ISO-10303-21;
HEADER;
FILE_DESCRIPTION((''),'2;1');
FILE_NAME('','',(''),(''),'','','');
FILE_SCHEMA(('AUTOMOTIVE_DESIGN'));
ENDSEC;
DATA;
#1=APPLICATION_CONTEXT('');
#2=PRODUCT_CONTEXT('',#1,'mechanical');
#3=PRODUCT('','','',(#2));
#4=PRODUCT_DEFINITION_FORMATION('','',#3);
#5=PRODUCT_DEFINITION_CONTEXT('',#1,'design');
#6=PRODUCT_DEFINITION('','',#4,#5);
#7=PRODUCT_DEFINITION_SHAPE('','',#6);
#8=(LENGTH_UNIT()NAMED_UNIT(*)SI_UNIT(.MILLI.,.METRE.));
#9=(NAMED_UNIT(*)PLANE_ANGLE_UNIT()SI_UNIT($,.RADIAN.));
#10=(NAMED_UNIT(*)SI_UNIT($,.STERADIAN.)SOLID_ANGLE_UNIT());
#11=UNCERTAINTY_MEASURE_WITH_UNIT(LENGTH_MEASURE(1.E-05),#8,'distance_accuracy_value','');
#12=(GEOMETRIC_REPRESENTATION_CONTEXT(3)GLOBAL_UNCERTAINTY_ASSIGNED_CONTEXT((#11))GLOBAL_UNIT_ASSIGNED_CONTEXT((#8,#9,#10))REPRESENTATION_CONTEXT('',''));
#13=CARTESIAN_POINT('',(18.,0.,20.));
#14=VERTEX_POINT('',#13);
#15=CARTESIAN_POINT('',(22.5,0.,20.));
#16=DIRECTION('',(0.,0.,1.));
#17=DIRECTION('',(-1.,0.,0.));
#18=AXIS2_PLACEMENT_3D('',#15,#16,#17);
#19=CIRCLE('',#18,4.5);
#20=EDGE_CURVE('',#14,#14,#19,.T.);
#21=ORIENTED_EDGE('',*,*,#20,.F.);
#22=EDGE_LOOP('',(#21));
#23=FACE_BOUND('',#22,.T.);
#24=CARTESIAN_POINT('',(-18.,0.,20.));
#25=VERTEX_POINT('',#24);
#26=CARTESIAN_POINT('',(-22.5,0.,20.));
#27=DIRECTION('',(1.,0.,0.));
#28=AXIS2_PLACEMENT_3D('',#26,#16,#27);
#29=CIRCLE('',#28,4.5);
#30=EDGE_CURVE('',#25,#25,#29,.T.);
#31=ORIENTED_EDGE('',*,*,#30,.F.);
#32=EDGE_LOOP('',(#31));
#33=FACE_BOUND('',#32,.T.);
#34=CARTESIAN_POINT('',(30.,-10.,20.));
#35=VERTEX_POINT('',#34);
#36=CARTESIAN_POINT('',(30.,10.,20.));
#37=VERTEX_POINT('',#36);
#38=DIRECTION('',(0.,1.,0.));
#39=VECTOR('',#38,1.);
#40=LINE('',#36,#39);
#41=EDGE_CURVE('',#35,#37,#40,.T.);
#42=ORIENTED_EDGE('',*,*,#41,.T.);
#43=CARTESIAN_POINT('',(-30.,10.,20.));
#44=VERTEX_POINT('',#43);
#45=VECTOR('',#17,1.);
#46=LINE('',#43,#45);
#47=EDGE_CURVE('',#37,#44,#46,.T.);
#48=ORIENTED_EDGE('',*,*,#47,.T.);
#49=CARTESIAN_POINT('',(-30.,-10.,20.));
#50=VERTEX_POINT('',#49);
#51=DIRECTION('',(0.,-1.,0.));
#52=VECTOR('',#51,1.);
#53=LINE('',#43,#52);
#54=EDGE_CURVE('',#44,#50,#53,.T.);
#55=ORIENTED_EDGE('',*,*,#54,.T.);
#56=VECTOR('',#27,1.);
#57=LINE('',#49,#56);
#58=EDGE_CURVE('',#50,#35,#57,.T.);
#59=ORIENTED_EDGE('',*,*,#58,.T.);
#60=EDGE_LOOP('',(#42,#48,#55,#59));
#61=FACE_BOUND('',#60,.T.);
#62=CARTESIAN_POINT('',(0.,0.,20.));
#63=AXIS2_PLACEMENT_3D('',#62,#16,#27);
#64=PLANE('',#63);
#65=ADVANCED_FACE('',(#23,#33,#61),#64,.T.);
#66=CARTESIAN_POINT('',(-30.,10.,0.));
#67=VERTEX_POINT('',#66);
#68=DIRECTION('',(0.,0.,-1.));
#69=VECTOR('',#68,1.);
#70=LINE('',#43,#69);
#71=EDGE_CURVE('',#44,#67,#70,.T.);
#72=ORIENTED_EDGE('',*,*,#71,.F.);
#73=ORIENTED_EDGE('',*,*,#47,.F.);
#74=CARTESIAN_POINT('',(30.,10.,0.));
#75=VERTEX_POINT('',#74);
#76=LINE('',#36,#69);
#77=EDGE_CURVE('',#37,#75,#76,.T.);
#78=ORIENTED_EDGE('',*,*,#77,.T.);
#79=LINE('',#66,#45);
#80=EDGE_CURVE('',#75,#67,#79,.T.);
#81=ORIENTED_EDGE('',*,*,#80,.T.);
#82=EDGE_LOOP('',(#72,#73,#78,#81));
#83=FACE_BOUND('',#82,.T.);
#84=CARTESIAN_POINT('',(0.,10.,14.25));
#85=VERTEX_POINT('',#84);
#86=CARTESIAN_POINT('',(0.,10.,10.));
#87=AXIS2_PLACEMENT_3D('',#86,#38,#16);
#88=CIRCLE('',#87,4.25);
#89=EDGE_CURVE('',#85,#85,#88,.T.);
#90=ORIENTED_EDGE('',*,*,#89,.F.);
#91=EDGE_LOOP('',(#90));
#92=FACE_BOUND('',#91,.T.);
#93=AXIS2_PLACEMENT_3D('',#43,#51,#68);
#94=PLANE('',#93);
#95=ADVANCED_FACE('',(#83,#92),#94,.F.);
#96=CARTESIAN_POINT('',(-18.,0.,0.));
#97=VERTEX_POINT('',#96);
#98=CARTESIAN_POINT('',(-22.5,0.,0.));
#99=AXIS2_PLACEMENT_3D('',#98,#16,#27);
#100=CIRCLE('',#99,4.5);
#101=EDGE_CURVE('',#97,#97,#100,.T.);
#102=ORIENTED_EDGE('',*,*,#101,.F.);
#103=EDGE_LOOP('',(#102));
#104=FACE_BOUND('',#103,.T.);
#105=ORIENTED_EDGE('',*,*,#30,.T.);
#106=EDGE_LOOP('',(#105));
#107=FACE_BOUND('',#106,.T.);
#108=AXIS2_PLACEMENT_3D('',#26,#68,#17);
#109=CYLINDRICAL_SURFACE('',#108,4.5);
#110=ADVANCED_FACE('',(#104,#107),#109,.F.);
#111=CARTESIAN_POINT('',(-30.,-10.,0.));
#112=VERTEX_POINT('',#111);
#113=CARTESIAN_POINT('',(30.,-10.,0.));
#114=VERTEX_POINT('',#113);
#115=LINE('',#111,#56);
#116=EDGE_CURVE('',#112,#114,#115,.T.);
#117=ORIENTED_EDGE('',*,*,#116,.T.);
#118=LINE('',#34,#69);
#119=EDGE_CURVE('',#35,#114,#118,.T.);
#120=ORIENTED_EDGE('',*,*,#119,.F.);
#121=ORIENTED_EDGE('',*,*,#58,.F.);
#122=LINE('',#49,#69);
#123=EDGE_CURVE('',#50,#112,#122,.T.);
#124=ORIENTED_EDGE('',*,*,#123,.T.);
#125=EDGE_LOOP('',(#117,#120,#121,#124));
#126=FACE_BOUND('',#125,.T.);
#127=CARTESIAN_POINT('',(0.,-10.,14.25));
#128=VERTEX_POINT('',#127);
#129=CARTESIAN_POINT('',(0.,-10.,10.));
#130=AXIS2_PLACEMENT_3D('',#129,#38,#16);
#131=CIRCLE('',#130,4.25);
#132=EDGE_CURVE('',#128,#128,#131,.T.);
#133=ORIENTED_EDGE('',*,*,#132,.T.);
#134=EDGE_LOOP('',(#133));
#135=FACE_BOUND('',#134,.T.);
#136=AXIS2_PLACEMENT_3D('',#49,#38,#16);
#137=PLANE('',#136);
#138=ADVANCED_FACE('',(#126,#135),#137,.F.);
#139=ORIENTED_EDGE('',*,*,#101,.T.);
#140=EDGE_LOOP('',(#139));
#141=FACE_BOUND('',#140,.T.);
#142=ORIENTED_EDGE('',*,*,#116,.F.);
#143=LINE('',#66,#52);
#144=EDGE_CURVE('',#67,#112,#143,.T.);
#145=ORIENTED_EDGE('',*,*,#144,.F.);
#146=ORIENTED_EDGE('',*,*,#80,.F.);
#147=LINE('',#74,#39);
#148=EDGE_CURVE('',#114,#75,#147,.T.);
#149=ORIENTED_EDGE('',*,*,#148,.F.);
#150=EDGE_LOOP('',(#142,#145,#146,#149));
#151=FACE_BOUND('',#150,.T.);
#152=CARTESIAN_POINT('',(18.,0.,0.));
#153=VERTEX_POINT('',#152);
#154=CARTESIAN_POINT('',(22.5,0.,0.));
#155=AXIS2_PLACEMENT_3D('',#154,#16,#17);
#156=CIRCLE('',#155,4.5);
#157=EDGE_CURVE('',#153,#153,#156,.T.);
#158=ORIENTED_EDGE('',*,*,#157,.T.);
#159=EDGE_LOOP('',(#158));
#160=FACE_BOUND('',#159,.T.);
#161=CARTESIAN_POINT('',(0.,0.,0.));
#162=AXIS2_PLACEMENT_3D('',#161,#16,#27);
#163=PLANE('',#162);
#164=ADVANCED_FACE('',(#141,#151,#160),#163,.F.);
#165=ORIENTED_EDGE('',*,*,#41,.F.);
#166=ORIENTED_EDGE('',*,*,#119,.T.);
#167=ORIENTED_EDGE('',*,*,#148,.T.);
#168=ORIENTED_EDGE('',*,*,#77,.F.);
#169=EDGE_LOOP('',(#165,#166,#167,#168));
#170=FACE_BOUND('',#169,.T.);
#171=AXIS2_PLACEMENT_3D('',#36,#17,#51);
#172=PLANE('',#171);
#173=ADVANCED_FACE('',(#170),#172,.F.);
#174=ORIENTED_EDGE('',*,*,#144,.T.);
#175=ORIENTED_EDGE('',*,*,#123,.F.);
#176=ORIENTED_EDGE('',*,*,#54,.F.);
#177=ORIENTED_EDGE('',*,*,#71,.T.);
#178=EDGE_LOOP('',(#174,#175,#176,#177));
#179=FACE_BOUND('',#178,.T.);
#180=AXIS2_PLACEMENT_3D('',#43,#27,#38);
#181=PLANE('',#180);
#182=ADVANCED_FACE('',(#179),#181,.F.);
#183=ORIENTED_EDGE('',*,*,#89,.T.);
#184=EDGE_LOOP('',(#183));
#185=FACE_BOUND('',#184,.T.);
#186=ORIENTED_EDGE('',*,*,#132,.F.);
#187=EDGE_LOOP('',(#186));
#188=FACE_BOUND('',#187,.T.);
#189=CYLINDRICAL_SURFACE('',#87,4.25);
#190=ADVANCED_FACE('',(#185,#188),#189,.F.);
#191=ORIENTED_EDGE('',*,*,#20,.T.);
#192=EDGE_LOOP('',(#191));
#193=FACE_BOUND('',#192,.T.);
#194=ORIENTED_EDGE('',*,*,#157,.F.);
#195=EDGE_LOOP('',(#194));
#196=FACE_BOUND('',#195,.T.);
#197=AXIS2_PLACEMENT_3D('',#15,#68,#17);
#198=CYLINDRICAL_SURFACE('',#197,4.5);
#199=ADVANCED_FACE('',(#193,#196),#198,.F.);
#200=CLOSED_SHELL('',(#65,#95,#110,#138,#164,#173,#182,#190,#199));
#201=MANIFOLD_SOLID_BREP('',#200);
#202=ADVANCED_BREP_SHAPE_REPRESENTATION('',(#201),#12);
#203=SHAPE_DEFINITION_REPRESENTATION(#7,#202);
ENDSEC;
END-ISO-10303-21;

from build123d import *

# Parameters (mm, degrees)
SKETCH_1_W              = 60
SKETCH_1_H              = 20
SKETCH_1_R              = 4.5
EXTRUDE_1_DEPTH         = 20
HOLE_WIZARD_M10_1_D     = 8.5
HOLE_WIZARD_M10_1_DEPTH = 24.5
HOLE_WIZARD_M10_1_TIP   = 2.553657631


with BuildPart() as part:
    # 草图1 → 凸台-拉伸1 (new body)
    with BuildSketch(Plane.XY):
        Rectangle(SKETCH_1_W, SKETCH_1_H)
        with Locations((-22.5, 0)):
            Circle(SKETCH_1_R, mode=Mode.SUBTRACT)
        with Locations((22.5, 0)):
            Circle(SKETCH_1_R, mode=Mode.SUBTRACT)
    extrude(amount=EXTRUDE_1_DEPTH)

    # M10 螺纹孔1
    with Locations(Plane(origin=(0, 10, 10), x_dir=(0, 0, 1), z_dir=(0, 1, 0))):
        with Locations((0, 0)):
            Hole(HOLE_WIZARD_M10_1_D / 2, depth=HOLE_WIZARD_M10_1_DEPTH)
            with Locations((0, 0, -(HOLE_WIZARD_M10_1_DEPTH + HOLE_WIZARD_M10_1_TIP / 2))):  # 118° drill point
                Cone(0, HOLE_WIZARD_M10_1_D / 2, HOLE_WIZARD_M10_1_TIP, mode=Mode.SUBTRACT)


solid = part.part
